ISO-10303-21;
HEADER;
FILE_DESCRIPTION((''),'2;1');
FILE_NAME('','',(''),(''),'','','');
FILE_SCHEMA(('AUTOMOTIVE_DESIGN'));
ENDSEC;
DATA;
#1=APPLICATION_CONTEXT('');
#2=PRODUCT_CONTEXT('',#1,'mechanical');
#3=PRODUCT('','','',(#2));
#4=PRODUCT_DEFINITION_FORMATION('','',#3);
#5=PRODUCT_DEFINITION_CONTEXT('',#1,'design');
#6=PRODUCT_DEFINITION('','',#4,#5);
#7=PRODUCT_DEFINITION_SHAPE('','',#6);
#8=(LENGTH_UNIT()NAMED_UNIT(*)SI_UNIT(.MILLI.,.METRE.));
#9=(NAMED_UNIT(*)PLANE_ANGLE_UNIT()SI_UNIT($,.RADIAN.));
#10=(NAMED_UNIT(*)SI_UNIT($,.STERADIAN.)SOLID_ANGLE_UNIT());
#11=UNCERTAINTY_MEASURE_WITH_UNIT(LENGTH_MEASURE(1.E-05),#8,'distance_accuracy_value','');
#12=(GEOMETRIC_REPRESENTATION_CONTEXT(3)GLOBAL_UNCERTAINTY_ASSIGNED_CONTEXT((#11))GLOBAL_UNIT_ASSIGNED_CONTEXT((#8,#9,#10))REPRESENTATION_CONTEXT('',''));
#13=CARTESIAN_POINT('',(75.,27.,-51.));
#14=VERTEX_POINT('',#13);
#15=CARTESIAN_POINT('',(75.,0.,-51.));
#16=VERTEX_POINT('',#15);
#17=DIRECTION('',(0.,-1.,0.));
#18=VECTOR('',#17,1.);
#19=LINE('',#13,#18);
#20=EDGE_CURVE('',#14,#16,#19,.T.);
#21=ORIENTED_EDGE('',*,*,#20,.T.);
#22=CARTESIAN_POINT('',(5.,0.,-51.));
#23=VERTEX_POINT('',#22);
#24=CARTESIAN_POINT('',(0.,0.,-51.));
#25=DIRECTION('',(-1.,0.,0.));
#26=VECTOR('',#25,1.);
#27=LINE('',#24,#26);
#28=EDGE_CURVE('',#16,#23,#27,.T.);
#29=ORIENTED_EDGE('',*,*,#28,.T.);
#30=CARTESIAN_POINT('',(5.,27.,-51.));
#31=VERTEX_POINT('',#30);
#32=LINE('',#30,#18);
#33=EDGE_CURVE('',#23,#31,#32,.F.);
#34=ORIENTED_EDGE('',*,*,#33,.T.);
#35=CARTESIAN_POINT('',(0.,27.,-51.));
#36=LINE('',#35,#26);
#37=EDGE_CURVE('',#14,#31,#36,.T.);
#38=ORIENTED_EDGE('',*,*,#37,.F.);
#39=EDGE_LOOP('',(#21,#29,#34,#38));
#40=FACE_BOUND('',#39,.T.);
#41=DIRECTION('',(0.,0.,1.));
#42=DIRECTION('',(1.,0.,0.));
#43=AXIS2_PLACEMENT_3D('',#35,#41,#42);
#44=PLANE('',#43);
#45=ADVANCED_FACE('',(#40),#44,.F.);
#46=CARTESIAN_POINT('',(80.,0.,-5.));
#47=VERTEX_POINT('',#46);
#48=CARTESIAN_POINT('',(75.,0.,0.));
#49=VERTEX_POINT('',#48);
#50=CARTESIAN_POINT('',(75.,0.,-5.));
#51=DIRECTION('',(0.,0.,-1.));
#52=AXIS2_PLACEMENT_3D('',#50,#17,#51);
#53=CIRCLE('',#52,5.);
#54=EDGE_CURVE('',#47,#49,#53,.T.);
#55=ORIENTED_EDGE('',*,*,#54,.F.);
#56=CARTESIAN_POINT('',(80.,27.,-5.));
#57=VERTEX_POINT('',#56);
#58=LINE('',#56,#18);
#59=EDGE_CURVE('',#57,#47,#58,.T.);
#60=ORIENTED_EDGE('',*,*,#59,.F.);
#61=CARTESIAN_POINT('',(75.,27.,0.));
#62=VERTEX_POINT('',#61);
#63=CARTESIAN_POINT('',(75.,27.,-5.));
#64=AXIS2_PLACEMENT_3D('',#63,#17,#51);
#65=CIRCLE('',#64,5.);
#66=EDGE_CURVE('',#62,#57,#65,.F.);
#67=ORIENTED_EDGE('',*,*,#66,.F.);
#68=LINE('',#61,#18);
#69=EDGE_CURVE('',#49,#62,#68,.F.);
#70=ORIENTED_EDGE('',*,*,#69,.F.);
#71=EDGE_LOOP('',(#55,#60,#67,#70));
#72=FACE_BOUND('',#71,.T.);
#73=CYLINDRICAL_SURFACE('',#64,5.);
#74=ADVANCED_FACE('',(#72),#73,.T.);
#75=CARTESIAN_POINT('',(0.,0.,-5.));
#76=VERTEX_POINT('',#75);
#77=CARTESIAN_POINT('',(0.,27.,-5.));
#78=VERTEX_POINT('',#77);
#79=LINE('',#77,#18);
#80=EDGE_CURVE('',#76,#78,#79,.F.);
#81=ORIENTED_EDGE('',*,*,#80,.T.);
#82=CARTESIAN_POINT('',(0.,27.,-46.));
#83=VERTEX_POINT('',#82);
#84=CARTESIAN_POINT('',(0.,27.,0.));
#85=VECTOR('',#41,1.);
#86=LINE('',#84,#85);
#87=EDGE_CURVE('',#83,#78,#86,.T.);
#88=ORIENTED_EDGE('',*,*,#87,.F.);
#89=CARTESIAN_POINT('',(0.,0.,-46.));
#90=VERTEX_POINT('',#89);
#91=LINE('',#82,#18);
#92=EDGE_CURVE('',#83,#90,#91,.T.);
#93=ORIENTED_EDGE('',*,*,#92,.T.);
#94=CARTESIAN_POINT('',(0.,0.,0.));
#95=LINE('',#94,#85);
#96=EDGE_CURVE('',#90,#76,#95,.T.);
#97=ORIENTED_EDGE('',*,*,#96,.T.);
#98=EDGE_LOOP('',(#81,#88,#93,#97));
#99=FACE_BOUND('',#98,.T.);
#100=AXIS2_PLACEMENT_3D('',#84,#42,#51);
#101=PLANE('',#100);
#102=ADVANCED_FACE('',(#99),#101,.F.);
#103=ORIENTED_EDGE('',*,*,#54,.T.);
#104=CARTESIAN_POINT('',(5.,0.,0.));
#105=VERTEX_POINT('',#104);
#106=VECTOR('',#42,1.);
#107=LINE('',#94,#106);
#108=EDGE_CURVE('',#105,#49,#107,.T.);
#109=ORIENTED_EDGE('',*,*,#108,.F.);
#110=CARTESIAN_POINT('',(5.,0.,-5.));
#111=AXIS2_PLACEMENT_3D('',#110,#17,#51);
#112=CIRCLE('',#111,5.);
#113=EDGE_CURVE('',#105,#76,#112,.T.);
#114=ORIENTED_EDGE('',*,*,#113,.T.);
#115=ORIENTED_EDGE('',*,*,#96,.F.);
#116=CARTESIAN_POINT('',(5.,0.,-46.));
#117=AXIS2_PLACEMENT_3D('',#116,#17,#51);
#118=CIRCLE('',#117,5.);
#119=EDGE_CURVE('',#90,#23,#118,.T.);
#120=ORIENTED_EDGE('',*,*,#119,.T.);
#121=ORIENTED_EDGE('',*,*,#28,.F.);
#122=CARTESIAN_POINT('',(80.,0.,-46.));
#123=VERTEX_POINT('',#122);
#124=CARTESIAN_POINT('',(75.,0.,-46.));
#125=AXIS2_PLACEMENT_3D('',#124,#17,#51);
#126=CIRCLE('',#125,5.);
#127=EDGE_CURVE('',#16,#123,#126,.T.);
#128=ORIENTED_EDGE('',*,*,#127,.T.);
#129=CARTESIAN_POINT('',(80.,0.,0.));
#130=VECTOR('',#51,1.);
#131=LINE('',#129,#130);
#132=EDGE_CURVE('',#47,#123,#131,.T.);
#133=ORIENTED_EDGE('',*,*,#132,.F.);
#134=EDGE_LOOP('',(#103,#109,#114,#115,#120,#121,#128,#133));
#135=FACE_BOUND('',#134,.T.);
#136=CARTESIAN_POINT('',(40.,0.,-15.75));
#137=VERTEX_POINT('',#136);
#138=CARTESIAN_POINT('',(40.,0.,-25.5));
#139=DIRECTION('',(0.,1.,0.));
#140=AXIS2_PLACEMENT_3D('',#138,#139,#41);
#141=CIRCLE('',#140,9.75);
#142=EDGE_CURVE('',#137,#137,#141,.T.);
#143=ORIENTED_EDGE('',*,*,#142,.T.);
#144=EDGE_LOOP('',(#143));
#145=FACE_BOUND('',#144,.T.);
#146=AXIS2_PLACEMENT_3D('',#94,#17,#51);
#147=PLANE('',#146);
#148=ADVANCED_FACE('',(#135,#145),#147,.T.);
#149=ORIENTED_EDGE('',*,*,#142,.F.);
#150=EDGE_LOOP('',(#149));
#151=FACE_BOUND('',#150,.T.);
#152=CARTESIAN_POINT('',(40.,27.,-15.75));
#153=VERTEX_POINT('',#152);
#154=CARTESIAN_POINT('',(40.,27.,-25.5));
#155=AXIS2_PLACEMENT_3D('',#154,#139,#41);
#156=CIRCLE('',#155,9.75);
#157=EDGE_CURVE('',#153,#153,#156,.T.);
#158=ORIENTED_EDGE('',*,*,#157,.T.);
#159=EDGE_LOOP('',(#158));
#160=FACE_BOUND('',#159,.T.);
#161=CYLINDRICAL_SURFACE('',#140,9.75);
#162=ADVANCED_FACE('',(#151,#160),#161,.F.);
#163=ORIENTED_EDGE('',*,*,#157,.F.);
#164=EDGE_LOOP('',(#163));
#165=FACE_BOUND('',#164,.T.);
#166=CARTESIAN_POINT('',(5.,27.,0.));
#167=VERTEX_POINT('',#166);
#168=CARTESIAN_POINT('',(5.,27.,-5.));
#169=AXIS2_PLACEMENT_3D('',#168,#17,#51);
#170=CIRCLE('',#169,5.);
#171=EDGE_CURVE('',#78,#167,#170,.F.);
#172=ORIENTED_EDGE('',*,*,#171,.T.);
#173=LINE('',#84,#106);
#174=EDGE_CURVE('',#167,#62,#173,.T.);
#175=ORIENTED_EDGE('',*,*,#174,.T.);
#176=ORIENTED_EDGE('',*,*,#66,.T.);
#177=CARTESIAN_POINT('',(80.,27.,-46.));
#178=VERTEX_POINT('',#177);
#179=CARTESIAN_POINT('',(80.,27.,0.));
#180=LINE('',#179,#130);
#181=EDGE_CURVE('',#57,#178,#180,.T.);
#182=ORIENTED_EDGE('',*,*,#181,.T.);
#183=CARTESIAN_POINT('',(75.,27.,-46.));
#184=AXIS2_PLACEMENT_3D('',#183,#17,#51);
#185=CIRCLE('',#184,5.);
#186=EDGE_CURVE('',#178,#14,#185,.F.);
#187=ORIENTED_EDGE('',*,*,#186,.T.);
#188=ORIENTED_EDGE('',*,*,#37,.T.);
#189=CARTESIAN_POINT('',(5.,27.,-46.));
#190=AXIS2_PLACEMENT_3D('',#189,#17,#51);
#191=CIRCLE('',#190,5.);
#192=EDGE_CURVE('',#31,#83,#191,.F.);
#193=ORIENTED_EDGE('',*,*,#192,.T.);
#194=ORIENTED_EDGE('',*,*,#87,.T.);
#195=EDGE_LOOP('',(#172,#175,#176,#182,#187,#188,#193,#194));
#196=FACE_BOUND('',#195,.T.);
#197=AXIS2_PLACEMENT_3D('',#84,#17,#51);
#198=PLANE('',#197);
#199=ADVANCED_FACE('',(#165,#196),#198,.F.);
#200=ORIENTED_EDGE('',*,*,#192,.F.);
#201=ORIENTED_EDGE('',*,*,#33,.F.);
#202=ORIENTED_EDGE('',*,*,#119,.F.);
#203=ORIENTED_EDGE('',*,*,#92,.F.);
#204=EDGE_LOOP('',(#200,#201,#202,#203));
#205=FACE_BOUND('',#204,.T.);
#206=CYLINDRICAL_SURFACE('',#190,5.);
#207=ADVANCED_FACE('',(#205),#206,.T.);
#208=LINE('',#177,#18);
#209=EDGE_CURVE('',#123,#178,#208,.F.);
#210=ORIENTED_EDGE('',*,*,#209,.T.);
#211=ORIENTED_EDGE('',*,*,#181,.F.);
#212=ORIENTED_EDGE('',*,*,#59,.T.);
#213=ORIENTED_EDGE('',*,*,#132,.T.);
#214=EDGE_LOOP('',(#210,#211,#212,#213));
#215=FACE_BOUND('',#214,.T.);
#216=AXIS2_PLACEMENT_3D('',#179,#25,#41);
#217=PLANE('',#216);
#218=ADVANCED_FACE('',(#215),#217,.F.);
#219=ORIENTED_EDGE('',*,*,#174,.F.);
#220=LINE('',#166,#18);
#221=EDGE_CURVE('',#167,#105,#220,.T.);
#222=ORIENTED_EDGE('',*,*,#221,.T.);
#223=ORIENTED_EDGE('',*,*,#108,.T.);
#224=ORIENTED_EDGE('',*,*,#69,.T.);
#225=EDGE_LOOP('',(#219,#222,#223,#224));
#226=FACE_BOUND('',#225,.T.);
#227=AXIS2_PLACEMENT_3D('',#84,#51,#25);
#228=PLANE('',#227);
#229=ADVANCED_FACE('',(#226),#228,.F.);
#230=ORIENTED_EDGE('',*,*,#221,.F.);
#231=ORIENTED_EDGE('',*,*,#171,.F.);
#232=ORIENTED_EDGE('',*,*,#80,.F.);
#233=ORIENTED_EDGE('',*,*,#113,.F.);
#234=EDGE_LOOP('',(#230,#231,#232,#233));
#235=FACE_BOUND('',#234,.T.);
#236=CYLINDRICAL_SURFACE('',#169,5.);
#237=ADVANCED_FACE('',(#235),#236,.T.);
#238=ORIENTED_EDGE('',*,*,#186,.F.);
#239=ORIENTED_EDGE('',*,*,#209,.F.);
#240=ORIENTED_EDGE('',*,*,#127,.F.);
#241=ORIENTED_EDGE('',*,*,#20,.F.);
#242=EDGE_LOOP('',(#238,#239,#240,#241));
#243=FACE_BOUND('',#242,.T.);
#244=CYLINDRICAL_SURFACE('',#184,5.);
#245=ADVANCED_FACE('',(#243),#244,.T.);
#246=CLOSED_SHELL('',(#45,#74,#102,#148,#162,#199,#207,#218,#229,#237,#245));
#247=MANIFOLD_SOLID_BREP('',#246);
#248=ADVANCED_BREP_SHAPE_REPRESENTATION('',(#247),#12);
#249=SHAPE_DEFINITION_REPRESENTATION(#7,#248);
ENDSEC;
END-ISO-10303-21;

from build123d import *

# Parameters (mm, degrees)
CROQUIS1_W              = 80
CROQUIS1_H              = 51
SALIENTE_EXTRUIR1_DEPTH = 27
CROQUIS2_R              = 9.75
CORTAR_EXTRUIR1_DEPTH   = 27
REDONDEO1_R             = 5


with BuildPart() as part:
    # Croquis1 → Saliente-Extruir1 (new body)
    with BuildSketch(Plane(origin=(0, 0, 0), x_dir=(1, 0, 0), z_dir=(0, 1, 0))):
        with Locations((40, 25.5)):
            Rectangle(CROQUIS1_W, CROQUIS1_H)
    extrude(amount=SALIENTE_EXTRUIR1_DEPTH)

    # Croquis2 → Cortar-Extruir1 (cut)
    with BuildSketch(Plane(origin=(0, 27, 0), x_dir=(1, 0, 0), z_dir=(0, 1, 0))):
        with Locations(Location((40, 25.5, 0), (0, 0, 270))):
            Circle(CROQUIS2_R)
    extrude(amount=-CORTAR_EXTRUIR1_DEPTH, mode=Mode.SUBTRACT)

    # Redondeo1
    redondeo1_edges = [part.edges().sort_by_distance(p)[0] for p in [
        (0, 13.5, -51),
        (80, 13.5, -51),
        (80, 13.5, 0),
        (0, 13.5, 0),
    ]]
    fillet(redondeo1_edges, radius=REDONDEO1_R)


solid = part.part
